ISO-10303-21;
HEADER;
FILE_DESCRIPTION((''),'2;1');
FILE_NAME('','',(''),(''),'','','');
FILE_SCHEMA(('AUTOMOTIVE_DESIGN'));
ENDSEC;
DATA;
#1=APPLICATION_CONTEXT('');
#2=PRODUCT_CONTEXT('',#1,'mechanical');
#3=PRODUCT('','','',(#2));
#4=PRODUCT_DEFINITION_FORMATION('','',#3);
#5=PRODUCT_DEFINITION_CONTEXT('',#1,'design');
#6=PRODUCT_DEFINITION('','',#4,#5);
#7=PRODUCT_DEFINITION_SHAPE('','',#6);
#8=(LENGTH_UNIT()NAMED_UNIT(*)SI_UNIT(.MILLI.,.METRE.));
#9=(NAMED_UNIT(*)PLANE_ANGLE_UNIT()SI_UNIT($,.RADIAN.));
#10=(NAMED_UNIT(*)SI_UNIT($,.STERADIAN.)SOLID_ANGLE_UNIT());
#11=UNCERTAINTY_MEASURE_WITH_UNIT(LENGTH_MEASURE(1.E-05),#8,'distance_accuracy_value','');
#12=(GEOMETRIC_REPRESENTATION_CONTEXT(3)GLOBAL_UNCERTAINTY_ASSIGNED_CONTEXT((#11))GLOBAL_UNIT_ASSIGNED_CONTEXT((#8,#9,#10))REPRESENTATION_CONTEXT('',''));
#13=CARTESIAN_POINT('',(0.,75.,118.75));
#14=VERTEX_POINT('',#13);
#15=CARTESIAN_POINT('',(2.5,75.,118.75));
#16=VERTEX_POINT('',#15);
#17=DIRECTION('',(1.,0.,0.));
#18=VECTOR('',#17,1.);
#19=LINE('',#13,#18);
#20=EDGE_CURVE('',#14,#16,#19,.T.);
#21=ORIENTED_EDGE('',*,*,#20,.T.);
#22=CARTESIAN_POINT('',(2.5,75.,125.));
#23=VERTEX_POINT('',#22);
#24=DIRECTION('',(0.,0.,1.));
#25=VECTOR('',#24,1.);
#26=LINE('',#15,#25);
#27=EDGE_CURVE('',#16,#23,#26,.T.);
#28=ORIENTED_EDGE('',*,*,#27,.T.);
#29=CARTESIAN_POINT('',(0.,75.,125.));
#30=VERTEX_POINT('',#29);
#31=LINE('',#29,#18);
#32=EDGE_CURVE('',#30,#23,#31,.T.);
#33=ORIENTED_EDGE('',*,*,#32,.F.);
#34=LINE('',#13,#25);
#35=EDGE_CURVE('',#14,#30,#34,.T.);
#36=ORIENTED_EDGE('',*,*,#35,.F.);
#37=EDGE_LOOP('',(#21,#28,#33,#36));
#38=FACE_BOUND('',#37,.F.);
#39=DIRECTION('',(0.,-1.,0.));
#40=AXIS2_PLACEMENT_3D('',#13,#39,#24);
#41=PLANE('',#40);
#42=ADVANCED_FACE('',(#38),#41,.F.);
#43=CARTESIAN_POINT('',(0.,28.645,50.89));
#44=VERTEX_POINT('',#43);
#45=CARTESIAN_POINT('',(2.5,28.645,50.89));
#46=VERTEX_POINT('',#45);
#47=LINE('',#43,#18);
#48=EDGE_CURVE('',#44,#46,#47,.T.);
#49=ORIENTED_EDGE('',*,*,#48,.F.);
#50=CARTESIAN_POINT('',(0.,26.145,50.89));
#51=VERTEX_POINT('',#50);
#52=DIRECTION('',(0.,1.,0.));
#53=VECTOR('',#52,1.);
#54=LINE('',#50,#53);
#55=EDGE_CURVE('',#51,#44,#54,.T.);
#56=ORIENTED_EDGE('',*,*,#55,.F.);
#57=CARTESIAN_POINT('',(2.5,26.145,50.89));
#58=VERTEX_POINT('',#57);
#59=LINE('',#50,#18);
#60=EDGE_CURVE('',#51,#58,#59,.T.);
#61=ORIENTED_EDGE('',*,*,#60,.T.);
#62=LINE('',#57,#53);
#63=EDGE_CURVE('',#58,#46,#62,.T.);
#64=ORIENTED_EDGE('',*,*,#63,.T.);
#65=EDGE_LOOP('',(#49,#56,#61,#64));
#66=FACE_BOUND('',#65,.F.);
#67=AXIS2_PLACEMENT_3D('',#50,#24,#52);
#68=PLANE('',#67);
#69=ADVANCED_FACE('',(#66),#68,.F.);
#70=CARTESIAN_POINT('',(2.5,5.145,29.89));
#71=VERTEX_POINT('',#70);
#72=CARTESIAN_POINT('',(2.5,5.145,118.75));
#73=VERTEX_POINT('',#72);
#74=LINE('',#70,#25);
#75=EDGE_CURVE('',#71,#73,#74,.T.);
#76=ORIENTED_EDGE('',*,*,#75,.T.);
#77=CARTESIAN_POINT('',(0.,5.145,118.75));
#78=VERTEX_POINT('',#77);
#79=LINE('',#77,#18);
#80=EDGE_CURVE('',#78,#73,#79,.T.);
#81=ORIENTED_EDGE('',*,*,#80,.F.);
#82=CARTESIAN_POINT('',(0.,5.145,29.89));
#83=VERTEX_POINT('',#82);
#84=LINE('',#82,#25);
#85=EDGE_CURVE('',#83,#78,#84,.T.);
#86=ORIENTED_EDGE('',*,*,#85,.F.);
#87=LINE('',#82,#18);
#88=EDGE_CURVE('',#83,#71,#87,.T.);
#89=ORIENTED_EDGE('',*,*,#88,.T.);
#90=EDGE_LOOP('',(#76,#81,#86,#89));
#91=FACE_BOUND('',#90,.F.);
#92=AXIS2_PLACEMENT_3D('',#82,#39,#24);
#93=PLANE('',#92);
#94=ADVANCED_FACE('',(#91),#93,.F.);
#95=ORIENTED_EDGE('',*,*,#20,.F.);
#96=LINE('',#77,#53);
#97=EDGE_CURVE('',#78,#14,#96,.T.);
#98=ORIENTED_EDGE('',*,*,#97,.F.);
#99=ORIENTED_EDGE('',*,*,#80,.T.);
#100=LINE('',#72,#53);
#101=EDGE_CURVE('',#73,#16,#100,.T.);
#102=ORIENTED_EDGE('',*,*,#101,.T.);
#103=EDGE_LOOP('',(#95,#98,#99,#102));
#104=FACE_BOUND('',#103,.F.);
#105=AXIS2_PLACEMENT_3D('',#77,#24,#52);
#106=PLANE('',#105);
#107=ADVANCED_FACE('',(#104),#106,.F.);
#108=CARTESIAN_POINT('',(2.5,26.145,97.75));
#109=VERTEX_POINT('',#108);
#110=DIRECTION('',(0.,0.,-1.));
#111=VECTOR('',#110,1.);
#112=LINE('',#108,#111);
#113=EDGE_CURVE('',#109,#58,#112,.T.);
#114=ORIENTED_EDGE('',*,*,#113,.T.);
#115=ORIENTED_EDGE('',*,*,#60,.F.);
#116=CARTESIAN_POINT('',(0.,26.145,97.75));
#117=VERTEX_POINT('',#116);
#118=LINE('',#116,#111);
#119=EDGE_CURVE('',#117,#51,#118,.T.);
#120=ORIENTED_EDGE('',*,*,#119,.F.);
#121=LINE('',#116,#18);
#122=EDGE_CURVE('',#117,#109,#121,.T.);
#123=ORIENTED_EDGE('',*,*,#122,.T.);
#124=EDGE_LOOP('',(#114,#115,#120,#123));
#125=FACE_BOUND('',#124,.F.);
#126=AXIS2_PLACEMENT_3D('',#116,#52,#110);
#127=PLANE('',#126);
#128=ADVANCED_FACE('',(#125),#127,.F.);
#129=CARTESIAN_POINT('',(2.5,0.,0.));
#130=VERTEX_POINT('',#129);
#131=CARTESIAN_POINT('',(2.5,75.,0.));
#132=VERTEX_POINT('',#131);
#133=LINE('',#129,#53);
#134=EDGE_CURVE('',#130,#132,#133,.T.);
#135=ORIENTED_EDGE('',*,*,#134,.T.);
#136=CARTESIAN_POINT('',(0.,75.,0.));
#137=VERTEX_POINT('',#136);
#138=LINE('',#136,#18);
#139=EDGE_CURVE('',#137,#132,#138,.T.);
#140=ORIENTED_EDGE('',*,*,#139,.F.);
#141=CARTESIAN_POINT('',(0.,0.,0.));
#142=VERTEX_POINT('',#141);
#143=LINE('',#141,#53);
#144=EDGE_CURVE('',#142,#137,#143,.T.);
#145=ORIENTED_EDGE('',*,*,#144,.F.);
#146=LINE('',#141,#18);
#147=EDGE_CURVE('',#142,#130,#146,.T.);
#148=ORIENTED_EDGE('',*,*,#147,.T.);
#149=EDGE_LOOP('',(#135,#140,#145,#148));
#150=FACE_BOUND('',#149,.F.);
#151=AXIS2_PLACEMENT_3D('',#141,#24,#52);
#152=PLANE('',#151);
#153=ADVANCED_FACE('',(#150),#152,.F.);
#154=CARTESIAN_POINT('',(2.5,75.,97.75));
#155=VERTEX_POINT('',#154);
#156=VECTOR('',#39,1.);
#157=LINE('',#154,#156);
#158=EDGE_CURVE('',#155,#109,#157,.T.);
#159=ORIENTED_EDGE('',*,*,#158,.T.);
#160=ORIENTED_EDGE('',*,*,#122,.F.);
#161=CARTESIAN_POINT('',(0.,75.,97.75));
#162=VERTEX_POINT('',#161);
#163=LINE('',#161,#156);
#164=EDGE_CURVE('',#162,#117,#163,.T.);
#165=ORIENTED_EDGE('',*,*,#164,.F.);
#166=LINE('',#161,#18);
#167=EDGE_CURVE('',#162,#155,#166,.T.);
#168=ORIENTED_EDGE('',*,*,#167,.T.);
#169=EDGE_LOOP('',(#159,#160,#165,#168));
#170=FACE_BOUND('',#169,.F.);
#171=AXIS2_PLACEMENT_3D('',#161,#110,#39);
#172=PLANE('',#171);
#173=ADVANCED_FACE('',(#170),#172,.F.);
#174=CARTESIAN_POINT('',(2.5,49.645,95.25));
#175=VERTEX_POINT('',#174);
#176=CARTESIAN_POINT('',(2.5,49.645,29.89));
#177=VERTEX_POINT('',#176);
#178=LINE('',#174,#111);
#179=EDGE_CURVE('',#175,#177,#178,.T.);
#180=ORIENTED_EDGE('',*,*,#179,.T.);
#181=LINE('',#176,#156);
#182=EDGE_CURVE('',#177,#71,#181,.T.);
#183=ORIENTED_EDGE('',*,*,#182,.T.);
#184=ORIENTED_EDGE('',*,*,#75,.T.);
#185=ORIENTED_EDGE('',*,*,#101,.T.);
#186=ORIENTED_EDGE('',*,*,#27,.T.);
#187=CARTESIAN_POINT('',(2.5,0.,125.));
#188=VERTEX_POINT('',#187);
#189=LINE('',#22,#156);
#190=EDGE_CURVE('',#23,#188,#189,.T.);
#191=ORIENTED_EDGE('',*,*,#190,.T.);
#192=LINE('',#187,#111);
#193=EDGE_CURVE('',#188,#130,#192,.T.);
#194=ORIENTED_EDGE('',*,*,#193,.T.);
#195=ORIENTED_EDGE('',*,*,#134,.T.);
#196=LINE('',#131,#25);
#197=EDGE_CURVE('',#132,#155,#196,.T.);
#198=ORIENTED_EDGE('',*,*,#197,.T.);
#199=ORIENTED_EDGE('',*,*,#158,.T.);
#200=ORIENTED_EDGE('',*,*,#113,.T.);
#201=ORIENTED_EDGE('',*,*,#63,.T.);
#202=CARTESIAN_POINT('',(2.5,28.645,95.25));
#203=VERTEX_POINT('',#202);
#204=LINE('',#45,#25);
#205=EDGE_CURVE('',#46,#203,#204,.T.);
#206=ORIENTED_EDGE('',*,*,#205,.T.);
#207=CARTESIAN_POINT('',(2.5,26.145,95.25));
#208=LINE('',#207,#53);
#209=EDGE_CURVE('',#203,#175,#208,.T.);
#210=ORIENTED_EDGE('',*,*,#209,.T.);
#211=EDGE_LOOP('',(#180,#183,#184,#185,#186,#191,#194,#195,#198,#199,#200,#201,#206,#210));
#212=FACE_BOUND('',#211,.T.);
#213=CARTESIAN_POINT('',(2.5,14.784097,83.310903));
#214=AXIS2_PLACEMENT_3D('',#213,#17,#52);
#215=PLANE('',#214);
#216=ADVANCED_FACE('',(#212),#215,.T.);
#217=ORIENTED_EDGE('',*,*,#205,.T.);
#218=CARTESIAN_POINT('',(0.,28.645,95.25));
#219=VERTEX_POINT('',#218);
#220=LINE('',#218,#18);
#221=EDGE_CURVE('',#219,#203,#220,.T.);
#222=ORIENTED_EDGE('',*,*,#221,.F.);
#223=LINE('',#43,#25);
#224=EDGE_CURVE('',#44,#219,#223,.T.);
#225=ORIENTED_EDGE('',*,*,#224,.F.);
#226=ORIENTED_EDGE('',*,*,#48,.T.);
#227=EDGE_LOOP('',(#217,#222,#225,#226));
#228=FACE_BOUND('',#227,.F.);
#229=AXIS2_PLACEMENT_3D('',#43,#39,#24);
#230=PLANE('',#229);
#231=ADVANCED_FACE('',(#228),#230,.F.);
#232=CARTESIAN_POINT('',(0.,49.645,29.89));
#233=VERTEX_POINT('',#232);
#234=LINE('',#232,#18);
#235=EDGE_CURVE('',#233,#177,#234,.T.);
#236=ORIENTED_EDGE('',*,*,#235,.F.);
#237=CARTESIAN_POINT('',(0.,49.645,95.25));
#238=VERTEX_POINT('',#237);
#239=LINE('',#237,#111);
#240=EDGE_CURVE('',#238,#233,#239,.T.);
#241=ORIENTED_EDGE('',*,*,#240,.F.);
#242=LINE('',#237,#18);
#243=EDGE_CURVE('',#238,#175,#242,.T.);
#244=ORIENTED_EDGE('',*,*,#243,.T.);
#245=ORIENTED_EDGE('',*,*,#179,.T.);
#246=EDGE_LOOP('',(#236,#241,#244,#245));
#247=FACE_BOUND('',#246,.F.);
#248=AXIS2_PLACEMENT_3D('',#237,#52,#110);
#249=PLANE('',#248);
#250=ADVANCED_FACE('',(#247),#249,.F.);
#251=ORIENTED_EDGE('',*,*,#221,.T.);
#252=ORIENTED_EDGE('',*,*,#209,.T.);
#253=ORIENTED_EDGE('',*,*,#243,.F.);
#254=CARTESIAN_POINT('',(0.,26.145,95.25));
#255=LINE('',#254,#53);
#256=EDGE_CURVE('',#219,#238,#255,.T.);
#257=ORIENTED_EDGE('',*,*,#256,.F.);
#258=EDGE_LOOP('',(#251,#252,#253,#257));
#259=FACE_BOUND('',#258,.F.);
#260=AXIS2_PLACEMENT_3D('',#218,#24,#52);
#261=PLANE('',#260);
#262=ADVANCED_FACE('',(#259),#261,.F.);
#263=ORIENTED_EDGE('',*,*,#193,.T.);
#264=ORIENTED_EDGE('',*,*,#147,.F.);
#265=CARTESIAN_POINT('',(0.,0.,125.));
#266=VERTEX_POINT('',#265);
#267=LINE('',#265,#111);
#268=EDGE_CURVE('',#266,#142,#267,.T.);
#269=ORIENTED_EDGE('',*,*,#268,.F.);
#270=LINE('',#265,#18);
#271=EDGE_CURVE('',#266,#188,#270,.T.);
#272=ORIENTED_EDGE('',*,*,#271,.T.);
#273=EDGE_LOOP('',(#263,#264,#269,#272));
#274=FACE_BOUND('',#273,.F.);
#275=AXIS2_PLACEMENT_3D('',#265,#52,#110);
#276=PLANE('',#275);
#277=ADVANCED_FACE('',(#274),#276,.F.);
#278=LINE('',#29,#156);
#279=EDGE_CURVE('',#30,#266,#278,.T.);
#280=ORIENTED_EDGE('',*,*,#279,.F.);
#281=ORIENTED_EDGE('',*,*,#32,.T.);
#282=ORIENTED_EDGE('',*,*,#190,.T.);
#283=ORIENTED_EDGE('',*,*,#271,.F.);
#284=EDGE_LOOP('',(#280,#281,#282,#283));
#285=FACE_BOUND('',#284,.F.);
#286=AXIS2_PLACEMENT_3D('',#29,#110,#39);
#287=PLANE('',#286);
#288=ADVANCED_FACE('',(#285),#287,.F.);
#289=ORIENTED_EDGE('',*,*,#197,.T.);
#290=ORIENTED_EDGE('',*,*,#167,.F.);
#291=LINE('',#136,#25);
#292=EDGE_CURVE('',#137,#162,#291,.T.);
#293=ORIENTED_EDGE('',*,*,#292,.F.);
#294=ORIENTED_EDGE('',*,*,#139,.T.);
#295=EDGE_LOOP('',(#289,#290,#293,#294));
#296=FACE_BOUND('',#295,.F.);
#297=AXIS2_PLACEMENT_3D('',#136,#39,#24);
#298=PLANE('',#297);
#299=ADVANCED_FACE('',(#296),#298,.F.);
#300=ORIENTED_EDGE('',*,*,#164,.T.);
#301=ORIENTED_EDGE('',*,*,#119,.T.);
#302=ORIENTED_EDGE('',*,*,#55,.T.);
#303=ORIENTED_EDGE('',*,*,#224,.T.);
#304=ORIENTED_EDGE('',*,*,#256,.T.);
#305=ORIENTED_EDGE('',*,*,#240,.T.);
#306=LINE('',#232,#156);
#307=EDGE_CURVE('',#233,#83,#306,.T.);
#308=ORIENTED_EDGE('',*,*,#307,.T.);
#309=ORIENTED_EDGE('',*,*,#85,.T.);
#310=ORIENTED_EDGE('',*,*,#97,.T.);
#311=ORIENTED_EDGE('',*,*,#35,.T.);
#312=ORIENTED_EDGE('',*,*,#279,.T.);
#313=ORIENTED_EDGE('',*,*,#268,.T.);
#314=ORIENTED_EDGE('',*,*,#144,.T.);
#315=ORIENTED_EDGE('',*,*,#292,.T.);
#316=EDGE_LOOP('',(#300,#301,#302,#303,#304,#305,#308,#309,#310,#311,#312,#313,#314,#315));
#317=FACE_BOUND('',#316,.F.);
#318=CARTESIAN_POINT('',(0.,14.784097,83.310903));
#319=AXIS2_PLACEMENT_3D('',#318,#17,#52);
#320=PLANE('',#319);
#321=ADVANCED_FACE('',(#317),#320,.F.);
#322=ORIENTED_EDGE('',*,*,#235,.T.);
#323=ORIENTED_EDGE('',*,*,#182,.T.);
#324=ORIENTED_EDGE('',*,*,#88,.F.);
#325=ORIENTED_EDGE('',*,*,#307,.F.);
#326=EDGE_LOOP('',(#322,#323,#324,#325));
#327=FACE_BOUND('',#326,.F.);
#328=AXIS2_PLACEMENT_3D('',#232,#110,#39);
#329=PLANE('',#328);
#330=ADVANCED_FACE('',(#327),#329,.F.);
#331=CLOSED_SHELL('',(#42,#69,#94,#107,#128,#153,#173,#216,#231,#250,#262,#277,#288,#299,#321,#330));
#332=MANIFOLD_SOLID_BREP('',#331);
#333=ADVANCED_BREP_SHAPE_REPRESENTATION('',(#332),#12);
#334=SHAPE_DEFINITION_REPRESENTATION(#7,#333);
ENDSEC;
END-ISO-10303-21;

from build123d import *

# Parameters (mm, degrees)
F1_DEPTH = 2.5


with BuildPart() as f1:
    # F0 (on Right) → F1 (new body)
    with BuildSketch(Plane.YZ):
        Polygon((0, 125), (0, 0), (3.81, 0), (3.81, 3.81), (3.81, 121.19), (44.505585, 121.19), (71.19, 121.19), (71.19, 125), align=None)
        Polygon((3.81, 3.81), (3.81, 0), (40.814199, 0), (64.98988, 0), (71.19, 0), (71.19, 3.81), (64.98988, 3.81), (40.814199, 3.81), (8.89, 3.81), align=None)
        Polygon((75, 125), (71.19, 125), (71.19, 121.19), (71.19, 118.75), (75, 118.75), align=None)
        Polygon((3.81, 121.19), (3.81, 3.81), (8.89, 3.81), (40.814199, 3.81), (64.98988, 3.81), (71.19, 3.81), (71.19, 97.75), (26.145, 97.75), (26.145, 95.25), (28.645, 95.25), (49.645, 95.25), (49.645, 71.456), (49.645, 29.89), (5.145, 29.89), (5.145, 118.75), (71.19, 118.75), (71.19, 121.19), (44.505585, 121.19), align=None)
        Polygon((71.19, 3.81), (71.19, 0), (75, 0), (75, 97.75), (71.19, 97.75), align=None)
        Polygon((28.645, 95.25), (26.145, 95.25), (26.145, 50.89), (28.645, 50.89), (28.645, 71.456), align=None)
    extrude(amount=F1_DEPTH)


solid = f1.part
